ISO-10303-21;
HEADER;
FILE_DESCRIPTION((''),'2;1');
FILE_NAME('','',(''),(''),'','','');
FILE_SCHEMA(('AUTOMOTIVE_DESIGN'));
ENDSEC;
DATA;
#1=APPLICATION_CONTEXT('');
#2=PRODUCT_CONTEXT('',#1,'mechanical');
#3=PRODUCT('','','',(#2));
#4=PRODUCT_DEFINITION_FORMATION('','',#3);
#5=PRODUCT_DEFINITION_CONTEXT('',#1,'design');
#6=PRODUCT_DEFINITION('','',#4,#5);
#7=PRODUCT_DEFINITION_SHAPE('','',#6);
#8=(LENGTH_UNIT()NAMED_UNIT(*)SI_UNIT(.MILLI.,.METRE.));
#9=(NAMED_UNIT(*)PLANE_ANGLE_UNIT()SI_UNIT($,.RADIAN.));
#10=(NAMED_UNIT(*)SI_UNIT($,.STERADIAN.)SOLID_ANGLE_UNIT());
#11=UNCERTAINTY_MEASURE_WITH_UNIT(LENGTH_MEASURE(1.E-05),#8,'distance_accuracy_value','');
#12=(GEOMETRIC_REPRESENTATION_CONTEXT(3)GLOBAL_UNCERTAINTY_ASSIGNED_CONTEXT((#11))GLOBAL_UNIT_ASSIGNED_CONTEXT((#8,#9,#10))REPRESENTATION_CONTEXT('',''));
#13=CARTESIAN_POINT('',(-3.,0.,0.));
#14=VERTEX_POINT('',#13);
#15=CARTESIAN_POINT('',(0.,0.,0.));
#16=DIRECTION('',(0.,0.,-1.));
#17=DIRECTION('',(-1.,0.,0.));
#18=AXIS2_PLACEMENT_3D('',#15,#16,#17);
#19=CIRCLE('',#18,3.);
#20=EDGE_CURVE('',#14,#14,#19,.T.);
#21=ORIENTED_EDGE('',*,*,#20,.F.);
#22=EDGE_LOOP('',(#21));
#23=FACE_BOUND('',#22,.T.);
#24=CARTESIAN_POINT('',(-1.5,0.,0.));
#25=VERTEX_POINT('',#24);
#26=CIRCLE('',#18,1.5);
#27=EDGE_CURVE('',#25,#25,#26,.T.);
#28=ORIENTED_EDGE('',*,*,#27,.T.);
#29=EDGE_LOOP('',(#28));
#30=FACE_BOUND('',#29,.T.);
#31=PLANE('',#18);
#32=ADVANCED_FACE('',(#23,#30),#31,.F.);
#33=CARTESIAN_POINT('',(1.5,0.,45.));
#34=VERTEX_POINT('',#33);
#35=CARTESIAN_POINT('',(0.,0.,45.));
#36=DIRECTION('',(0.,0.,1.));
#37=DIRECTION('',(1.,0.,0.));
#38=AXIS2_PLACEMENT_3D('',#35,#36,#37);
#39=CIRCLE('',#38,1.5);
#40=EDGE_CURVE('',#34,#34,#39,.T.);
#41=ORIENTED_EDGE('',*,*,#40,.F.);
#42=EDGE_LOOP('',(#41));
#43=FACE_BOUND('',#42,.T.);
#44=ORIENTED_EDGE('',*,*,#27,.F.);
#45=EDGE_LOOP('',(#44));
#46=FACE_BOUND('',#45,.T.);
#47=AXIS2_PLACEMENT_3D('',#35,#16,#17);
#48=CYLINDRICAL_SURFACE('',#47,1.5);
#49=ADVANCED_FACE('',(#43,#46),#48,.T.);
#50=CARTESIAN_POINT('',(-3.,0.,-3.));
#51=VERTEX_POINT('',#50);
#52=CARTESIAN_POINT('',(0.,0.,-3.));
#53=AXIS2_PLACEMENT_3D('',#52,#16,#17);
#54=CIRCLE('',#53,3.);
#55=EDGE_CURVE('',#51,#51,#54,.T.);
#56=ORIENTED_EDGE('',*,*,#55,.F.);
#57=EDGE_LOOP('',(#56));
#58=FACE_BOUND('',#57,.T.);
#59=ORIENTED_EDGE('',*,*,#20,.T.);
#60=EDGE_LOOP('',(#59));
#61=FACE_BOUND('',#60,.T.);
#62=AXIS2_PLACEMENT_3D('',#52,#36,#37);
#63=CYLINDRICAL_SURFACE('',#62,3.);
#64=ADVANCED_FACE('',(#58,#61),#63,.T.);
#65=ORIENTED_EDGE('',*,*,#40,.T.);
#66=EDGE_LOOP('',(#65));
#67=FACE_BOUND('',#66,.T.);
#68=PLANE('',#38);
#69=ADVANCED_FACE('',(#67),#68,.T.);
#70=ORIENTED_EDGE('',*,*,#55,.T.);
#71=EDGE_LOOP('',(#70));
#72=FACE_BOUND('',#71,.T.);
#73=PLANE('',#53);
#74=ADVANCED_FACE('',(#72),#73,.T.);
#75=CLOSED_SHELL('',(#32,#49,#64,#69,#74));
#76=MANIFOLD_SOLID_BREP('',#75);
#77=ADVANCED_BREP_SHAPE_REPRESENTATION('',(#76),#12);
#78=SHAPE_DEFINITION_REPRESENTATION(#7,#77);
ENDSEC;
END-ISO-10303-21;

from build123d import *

# Parameters (mm, degrees)
SKETCH_1_R      = 1.5
EXTRUDE_1_DEPTH = 45
SKETCH_2_R      = 3
EXTRUDE_2_DEPTH = 3


with BuildPart() as part:
    # 草图1 → 凸台-拉伸1 (new body)
    with BuildSketch(Plane.XY):
        Circle(SKETCH_1_R)
    extrude(amount=EXTRUDE_1_DEPTH)

    # 草图2 → 凸台-拉伸2 (add)
    with BuildSketch(Plane(origin=(0, 0, 0), x_dir=(-1, 0, 0), z_dir=(0, 0, -1))):
        Circle(SKETCH_2_R)
    extrude(amount=EXTRUDE_2_DEPTH)


solid = part.part
